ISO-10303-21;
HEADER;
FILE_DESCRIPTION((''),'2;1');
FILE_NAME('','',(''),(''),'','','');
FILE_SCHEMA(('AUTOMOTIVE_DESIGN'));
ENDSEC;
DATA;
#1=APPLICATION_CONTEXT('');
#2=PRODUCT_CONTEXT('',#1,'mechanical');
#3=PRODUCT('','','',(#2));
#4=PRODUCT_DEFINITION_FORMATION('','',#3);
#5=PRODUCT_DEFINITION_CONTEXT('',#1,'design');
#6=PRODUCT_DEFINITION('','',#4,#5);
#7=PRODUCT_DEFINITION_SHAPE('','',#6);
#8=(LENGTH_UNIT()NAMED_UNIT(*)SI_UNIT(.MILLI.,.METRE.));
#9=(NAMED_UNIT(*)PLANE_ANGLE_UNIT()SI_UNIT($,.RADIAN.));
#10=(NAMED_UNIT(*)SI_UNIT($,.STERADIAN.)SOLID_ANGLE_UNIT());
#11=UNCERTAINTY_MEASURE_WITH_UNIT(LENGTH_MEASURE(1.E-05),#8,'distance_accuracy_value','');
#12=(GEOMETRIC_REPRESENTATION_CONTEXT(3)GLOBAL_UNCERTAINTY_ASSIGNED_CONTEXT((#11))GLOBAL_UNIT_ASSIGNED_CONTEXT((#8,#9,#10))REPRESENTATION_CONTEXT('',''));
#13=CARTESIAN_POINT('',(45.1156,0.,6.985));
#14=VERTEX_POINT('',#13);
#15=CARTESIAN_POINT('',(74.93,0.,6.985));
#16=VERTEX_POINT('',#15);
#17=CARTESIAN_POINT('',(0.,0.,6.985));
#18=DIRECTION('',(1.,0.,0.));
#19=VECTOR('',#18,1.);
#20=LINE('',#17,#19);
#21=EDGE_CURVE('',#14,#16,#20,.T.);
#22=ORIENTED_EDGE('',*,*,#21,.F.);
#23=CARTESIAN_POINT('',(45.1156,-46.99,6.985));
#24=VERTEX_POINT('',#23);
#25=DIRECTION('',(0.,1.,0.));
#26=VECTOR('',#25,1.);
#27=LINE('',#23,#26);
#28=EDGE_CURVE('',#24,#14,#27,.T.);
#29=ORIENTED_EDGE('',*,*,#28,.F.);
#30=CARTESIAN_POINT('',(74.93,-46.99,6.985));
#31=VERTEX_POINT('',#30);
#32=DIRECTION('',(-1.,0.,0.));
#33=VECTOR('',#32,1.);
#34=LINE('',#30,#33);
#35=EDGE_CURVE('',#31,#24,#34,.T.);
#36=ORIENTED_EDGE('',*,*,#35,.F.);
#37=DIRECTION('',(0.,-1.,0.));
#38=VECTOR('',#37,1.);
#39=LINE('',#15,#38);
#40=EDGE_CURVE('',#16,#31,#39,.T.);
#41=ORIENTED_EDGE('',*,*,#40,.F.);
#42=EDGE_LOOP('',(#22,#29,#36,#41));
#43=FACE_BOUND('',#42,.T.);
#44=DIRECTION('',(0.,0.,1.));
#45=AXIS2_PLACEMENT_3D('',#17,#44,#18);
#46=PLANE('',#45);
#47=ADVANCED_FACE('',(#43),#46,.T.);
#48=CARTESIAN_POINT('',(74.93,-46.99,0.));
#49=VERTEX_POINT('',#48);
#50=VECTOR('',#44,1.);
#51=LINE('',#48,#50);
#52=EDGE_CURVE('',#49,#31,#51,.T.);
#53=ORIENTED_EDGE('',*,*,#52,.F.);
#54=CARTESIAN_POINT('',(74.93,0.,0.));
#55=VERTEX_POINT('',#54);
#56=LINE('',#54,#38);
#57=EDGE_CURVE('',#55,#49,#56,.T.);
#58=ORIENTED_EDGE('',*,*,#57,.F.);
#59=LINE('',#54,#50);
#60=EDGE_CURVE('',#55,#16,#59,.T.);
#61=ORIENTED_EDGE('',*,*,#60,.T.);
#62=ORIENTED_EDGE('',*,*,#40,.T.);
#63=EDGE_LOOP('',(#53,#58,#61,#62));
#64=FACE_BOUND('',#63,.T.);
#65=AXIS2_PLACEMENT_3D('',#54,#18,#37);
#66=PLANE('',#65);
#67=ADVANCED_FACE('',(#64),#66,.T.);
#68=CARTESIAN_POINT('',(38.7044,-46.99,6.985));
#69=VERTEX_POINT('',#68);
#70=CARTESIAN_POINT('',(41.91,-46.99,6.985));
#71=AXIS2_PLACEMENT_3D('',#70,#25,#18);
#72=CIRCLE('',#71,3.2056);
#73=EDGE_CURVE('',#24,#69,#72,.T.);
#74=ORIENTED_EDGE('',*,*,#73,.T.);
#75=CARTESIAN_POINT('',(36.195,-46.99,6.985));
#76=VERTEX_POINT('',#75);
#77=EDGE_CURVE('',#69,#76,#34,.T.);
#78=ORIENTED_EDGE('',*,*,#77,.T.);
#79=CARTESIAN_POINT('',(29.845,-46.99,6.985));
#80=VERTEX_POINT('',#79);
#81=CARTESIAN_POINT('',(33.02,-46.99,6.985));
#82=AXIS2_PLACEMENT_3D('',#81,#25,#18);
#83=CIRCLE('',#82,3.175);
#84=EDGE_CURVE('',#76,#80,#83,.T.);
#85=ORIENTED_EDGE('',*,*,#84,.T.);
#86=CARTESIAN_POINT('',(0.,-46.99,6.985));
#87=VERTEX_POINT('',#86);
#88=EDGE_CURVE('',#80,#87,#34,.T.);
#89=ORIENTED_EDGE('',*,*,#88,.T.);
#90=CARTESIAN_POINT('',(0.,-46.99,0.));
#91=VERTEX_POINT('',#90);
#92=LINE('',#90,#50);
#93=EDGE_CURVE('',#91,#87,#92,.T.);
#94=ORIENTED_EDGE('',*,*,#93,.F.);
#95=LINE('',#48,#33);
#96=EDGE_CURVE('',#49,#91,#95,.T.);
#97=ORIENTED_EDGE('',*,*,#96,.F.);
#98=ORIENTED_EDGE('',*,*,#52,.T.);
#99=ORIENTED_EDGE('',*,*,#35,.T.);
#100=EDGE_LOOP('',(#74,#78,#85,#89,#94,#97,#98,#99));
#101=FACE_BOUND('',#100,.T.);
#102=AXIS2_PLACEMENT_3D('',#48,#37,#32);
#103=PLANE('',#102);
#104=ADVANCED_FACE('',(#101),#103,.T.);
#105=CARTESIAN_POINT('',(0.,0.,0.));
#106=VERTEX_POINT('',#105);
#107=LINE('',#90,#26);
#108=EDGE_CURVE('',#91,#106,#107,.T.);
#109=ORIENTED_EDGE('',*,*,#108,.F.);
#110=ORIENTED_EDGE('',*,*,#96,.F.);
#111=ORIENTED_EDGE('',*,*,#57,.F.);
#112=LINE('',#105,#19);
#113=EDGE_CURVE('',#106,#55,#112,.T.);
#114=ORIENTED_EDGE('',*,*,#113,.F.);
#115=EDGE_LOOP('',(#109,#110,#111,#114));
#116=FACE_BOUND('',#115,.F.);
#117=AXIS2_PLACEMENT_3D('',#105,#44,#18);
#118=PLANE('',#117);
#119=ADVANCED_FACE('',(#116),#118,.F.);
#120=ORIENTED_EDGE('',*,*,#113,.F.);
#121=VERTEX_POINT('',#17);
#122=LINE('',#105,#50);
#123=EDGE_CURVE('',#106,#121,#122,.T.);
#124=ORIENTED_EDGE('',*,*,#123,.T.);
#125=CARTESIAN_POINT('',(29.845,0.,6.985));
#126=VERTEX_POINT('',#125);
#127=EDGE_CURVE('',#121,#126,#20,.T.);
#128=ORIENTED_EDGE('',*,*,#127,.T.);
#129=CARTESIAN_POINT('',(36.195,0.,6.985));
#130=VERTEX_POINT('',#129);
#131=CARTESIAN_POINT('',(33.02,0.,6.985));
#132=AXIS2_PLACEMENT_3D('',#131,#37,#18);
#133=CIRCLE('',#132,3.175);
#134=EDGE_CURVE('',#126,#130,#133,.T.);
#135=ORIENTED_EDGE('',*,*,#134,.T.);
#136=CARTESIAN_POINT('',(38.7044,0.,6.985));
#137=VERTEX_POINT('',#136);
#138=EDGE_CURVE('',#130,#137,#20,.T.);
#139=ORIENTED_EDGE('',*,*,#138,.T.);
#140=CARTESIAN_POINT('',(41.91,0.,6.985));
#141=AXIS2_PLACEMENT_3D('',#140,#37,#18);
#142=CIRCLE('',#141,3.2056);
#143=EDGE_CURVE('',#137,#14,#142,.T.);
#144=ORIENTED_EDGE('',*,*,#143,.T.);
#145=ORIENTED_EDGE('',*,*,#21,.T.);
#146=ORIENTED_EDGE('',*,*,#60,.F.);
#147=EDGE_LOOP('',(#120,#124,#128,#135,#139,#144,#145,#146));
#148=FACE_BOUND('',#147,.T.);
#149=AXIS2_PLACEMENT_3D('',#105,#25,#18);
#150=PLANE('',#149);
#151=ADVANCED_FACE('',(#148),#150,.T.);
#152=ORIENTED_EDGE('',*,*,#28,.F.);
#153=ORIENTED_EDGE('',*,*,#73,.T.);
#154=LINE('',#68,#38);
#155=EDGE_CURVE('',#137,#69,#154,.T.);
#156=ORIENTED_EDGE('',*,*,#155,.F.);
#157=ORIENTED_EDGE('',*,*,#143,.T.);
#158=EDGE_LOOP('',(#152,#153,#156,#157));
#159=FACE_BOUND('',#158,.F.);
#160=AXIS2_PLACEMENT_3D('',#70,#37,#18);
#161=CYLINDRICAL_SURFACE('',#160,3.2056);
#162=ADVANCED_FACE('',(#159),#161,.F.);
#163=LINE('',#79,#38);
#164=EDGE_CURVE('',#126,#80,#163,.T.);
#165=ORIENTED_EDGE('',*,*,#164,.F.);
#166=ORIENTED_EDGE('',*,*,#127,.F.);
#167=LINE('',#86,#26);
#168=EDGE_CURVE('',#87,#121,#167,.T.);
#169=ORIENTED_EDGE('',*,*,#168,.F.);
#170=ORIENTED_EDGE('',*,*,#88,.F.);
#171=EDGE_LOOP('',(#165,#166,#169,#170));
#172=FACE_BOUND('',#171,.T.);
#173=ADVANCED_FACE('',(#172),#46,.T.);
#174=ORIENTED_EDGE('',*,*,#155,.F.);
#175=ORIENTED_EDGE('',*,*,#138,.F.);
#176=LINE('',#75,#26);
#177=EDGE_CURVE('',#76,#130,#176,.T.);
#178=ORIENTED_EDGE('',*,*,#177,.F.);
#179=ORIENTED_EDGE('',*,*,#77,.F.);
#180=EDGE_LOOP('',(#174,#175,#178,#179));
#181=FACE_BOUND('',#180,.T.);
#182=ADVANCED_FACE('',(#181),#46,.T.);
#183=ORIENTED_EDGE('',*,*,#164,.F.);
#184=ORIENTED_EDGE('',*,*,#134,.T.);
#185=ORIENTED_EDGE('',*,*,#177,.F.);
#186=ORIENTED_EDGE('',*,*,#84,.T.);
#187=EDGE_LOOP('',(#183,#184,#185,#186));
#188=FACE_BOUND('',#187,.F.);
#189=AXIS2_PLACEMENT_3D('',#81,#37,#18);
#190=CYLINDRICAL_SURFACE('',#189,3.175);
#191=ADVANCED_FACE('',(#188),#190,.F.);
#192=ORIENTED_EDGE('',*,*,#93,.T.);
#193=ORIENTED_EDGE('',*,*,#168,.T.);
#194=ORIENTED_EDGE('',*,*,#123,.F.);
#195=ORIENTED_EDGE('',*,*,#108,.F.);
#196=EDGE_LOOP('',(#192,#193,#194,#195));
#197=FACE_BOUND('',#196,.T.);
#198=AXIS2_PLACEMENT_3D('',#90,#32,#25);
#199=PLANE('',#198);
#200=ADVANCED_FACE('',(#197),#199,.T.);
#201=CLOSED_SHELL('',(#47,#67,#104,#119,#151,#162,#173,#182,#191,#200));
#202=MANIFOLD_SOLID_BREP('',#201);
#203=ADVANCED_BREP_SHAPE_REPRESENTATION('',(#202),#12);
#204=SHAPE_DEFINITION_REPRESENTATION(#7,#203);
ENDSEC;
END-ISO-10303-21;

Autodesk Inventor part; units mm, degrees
ref_plane "YZ Plane" through (0, 0, 0) normal (1, 0, 0) x (0, 1, 0)
ref_plane "XZ Plane" through (0, 0, 0) normal (0, 1, 0) x (-1, 0, 0)
ref_plane "XY Plane" through (0, 0, 0) normal (0, 0, 1) x (1, 0, 0)
sketch "Sketch1" plane through (0, 0, 0) normal (0, 0, 1) x (1, 0, 0)
  line L0 (0, 0) -> (74.93, 0)
  line L1 (74.93, 0) -> (74.93, -46.99)
  line L2 (74.93, -46.99) -> (0, -46.99)
  line L3 (0, -46.99) -> (0, 0)
  dimension "d0" = 74.93
  dimension "d1" = 46.99
extrude "Extrusion1" add sketch "Sketch1" along normal blind 6.985
sketch "Sketch2" plane through (0, -46.99, 0) normal (0, -1, 0) x (1, 0, 0)
  line L0 (74.93, 6.985) -> (0, 6.985) projected
  circle A0 centre (33.02, 6.985) radius 3.175
  circle A1 centre (41.91, 6.985) radius 3.2056
  line L1 (74.93, 0) -> (74.93, 6.985) projected
  point P0 (0, 0)
  dimension "d4" = 6.35
  dimension "d5" = 8.89
  dimension "d6" = 33.02
extrude "Extrusion2" cut sketch "Sketch2" against normal blind 101.6
properties part number "Heatsink cu base" material "Copper"
